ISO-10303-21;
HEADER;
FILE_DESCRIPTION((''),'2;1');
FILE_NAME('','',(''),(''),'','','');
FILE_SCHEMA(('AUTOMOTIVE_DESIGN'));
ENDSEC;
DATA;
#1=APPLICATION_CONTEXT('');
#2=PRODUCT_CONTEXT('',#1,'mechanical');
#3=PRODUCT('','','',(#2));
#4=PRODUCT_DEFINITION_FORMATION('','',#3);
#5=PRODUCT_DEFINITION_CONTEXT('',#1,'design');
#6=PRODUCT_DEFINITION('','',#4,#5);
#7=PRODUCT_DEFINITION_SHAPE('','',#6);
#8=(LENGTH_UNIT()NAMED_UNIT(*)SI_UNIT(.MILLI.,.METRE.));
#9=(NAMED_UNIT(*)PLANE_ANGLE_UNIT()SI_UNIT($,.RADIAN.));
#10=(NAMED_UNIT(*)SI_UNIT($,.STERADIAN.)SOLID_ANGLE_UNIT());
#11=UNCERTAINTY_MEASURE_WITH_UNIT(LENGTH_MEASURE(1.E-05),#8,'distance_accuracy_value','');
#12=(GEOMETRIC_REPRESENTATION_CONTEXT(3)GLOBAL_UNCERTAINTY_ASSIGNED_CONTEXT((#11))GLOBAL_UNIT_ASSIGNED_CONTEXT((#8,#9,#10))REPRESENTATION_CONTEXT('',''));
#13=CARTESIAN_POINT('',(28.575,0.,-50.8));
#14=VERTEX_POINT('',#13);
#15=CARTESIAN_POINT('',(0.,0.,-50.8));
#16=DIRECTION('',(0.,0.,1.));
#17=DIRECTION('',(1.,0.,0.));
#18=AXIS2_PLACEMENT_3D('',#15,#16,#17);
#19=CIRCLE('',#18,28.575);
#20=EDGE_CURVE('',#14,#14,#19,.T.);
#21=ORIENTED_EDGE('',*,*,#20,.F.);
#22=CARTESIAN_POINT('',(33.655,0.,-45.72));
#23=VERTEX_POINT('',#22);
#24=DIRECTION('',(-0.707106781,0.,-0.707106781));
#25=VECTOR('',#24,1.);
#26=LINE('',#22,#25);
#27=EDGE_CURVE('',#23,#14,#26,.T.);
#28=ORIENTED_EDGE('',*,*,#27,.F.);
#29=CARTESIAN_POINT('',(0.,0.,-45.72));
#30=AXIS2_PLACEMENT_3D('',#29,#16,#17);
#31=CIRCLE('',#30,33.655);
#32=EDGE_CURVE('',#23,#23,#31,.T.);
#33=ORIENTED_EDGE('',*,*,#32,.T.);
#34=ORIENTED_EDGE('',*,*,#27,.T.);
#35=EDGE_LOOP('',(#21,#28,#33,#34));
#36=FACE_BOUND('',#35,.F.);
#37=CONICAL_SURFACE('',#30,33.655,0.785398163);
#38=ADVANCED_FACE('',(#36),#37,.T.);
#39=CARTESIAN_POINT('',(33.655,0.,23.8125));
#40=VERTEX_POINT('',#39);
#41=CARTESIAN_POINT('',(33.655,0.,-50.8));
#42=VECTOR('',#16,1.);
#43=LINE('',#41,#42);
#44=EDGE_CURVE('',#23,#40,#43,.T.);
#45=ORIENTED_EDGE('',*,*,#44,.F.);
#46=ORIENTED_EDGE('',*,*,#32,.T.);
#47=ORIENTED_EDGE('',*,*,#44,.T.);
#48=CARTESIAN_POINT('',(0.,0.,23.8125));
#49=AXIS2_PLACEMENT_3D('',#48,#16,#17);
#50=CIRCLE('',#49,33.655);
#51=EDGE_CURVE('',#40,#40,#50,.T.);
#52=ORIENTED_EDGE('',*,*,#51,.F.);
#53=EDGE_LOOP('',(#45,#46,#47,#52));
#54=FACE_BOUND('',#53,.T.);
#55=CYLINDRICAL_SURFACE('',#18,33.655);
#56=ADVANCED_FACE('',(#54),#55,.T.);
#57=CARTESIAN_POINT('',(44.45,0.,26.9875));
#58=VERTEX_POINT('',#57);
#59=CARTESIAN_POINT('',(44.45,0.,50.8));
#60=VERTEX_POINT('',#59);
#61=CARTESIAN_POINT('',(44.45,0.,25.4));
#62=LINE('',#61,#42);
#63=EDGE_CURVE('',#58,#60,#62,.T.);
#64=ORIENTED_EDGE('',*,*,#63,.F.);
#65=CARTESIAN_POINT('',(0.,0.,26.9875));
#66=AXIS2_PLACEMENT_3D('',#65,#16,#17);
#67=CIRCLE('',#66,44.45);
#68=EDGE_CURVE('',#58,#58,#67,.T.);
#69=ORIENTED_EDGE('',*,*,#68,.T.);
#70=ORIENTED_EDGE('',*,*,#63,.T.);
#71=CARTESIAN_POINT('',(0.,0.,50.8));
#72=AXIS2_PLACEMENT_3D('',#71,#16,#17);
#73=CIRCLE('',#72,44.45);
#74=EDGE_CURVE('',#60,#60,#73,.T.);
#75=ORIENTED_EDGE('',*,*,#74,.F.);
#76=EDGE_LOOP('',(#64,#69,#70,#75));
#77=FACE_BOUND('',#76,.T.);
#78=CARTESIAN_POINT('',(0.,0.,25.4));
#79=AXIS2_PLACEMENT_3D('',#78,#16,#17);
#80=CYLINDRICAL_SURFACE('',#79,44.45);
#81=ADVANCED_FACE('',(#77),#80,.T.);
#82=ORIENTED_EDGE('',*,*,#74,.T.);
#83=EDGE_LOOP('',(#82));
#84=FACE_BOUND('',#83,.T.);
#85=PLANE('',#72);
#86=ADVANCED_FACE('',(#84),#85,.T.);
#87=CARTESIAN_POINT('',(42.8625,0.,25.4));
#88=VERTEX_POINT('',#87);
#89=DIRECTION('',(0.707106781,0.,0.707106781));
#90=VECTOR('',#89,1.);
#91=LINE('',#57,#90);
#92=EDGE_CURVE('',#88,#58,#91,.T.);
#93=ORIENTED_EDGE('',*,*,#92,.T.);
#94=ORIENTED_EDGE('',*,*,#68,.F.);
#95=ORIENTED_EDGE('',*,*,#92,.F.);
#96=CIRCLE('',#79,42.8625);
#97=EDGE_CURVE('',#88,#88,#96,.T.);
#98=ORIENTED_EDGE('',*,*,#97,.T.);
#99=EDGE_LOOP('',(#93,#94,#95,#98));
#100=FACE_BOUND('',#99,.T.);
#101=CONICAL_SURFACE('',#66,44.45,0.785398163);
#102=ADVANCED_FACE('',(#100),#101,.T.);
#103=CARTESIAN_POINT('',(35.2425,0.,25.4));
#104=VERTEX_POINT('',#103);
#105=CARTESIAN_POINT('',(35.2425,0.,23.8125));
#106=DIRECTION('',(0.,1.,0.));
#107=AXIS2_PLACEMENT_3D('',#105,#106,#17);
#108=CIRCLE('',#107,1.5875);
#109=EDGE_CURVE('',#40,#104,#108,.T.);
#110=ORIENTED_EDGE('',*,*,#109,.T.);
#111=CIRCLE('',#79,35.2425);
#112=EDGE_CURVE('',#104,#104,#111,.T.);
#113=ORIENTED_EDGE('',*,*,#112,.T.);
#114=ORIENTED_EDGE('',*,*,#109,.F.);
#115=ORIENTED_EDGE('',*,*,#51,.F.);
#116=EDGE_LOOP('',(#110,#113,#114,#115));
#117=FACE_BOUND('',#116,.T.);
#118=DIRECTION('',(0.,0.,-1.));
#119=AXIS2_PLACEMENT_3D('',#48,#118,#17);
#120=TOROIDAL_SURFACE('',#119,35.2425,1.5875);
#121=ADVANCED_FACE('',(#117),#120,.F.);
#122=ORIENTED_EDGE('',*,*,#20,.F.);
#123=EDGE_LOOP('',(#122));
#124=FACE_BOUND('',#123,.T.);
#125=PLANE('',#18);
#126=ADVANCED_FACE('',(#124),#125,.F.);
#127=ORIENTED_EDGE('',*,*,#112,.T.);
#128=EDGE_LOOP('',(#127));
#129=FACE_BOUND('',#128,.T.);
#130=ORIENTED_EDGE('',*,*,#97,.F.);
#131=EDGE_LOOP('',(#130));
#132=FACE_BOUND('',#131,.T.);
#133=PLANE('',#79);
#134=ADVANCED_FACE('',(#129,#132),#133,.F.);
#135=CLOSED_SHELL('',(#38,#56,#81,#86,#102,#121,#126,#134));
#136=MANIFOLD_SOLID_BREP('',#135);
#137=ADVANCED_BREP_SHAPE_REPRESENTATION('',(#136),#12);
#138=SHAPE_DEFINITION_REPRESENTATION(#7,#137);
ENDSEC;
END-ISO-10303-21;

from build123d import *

# Parameters (mm, degrees)
F2_R    = 1.5875
F3_SIZE = 1.5875
F4_SIZE = 5.08


with BuildPart() as f1:
    # F0 (on Front) → F1 (revolve)
    with BuildSketch(Plane.XZ):
        Polygon((0, 50.8), (0, -50.8), (33.655, -50.8), (33.655, 25.4), (44.45, 25.4), (44.45, 50.8), align=None)
    revolve(axis=Axis((0, 0, 0), (0, 0, 1)))

    # F2
    f2_edges = [f1.edges().sort_by_distance(p)[0] for p in [
        (-33.655, 0, 25.4),
    ]]
    fillet(f2_edges, radius=F2_R)

    # F3
    f3_edges = [f1.edges().sort_by_distance(p)[0] for p in [
        (-44.45, 0, 25.4),
    ]]
    chamfer(f3_edges, length=F3_SIZE)

    # F4
    f4_edges = [f1.edges().sort_by_distance(p)[0] for p in [
        (-33.655, 0, -50.8),
    ]]
    chamfer(f4_edges, length=F4_SIZE)


solid = f1.part
